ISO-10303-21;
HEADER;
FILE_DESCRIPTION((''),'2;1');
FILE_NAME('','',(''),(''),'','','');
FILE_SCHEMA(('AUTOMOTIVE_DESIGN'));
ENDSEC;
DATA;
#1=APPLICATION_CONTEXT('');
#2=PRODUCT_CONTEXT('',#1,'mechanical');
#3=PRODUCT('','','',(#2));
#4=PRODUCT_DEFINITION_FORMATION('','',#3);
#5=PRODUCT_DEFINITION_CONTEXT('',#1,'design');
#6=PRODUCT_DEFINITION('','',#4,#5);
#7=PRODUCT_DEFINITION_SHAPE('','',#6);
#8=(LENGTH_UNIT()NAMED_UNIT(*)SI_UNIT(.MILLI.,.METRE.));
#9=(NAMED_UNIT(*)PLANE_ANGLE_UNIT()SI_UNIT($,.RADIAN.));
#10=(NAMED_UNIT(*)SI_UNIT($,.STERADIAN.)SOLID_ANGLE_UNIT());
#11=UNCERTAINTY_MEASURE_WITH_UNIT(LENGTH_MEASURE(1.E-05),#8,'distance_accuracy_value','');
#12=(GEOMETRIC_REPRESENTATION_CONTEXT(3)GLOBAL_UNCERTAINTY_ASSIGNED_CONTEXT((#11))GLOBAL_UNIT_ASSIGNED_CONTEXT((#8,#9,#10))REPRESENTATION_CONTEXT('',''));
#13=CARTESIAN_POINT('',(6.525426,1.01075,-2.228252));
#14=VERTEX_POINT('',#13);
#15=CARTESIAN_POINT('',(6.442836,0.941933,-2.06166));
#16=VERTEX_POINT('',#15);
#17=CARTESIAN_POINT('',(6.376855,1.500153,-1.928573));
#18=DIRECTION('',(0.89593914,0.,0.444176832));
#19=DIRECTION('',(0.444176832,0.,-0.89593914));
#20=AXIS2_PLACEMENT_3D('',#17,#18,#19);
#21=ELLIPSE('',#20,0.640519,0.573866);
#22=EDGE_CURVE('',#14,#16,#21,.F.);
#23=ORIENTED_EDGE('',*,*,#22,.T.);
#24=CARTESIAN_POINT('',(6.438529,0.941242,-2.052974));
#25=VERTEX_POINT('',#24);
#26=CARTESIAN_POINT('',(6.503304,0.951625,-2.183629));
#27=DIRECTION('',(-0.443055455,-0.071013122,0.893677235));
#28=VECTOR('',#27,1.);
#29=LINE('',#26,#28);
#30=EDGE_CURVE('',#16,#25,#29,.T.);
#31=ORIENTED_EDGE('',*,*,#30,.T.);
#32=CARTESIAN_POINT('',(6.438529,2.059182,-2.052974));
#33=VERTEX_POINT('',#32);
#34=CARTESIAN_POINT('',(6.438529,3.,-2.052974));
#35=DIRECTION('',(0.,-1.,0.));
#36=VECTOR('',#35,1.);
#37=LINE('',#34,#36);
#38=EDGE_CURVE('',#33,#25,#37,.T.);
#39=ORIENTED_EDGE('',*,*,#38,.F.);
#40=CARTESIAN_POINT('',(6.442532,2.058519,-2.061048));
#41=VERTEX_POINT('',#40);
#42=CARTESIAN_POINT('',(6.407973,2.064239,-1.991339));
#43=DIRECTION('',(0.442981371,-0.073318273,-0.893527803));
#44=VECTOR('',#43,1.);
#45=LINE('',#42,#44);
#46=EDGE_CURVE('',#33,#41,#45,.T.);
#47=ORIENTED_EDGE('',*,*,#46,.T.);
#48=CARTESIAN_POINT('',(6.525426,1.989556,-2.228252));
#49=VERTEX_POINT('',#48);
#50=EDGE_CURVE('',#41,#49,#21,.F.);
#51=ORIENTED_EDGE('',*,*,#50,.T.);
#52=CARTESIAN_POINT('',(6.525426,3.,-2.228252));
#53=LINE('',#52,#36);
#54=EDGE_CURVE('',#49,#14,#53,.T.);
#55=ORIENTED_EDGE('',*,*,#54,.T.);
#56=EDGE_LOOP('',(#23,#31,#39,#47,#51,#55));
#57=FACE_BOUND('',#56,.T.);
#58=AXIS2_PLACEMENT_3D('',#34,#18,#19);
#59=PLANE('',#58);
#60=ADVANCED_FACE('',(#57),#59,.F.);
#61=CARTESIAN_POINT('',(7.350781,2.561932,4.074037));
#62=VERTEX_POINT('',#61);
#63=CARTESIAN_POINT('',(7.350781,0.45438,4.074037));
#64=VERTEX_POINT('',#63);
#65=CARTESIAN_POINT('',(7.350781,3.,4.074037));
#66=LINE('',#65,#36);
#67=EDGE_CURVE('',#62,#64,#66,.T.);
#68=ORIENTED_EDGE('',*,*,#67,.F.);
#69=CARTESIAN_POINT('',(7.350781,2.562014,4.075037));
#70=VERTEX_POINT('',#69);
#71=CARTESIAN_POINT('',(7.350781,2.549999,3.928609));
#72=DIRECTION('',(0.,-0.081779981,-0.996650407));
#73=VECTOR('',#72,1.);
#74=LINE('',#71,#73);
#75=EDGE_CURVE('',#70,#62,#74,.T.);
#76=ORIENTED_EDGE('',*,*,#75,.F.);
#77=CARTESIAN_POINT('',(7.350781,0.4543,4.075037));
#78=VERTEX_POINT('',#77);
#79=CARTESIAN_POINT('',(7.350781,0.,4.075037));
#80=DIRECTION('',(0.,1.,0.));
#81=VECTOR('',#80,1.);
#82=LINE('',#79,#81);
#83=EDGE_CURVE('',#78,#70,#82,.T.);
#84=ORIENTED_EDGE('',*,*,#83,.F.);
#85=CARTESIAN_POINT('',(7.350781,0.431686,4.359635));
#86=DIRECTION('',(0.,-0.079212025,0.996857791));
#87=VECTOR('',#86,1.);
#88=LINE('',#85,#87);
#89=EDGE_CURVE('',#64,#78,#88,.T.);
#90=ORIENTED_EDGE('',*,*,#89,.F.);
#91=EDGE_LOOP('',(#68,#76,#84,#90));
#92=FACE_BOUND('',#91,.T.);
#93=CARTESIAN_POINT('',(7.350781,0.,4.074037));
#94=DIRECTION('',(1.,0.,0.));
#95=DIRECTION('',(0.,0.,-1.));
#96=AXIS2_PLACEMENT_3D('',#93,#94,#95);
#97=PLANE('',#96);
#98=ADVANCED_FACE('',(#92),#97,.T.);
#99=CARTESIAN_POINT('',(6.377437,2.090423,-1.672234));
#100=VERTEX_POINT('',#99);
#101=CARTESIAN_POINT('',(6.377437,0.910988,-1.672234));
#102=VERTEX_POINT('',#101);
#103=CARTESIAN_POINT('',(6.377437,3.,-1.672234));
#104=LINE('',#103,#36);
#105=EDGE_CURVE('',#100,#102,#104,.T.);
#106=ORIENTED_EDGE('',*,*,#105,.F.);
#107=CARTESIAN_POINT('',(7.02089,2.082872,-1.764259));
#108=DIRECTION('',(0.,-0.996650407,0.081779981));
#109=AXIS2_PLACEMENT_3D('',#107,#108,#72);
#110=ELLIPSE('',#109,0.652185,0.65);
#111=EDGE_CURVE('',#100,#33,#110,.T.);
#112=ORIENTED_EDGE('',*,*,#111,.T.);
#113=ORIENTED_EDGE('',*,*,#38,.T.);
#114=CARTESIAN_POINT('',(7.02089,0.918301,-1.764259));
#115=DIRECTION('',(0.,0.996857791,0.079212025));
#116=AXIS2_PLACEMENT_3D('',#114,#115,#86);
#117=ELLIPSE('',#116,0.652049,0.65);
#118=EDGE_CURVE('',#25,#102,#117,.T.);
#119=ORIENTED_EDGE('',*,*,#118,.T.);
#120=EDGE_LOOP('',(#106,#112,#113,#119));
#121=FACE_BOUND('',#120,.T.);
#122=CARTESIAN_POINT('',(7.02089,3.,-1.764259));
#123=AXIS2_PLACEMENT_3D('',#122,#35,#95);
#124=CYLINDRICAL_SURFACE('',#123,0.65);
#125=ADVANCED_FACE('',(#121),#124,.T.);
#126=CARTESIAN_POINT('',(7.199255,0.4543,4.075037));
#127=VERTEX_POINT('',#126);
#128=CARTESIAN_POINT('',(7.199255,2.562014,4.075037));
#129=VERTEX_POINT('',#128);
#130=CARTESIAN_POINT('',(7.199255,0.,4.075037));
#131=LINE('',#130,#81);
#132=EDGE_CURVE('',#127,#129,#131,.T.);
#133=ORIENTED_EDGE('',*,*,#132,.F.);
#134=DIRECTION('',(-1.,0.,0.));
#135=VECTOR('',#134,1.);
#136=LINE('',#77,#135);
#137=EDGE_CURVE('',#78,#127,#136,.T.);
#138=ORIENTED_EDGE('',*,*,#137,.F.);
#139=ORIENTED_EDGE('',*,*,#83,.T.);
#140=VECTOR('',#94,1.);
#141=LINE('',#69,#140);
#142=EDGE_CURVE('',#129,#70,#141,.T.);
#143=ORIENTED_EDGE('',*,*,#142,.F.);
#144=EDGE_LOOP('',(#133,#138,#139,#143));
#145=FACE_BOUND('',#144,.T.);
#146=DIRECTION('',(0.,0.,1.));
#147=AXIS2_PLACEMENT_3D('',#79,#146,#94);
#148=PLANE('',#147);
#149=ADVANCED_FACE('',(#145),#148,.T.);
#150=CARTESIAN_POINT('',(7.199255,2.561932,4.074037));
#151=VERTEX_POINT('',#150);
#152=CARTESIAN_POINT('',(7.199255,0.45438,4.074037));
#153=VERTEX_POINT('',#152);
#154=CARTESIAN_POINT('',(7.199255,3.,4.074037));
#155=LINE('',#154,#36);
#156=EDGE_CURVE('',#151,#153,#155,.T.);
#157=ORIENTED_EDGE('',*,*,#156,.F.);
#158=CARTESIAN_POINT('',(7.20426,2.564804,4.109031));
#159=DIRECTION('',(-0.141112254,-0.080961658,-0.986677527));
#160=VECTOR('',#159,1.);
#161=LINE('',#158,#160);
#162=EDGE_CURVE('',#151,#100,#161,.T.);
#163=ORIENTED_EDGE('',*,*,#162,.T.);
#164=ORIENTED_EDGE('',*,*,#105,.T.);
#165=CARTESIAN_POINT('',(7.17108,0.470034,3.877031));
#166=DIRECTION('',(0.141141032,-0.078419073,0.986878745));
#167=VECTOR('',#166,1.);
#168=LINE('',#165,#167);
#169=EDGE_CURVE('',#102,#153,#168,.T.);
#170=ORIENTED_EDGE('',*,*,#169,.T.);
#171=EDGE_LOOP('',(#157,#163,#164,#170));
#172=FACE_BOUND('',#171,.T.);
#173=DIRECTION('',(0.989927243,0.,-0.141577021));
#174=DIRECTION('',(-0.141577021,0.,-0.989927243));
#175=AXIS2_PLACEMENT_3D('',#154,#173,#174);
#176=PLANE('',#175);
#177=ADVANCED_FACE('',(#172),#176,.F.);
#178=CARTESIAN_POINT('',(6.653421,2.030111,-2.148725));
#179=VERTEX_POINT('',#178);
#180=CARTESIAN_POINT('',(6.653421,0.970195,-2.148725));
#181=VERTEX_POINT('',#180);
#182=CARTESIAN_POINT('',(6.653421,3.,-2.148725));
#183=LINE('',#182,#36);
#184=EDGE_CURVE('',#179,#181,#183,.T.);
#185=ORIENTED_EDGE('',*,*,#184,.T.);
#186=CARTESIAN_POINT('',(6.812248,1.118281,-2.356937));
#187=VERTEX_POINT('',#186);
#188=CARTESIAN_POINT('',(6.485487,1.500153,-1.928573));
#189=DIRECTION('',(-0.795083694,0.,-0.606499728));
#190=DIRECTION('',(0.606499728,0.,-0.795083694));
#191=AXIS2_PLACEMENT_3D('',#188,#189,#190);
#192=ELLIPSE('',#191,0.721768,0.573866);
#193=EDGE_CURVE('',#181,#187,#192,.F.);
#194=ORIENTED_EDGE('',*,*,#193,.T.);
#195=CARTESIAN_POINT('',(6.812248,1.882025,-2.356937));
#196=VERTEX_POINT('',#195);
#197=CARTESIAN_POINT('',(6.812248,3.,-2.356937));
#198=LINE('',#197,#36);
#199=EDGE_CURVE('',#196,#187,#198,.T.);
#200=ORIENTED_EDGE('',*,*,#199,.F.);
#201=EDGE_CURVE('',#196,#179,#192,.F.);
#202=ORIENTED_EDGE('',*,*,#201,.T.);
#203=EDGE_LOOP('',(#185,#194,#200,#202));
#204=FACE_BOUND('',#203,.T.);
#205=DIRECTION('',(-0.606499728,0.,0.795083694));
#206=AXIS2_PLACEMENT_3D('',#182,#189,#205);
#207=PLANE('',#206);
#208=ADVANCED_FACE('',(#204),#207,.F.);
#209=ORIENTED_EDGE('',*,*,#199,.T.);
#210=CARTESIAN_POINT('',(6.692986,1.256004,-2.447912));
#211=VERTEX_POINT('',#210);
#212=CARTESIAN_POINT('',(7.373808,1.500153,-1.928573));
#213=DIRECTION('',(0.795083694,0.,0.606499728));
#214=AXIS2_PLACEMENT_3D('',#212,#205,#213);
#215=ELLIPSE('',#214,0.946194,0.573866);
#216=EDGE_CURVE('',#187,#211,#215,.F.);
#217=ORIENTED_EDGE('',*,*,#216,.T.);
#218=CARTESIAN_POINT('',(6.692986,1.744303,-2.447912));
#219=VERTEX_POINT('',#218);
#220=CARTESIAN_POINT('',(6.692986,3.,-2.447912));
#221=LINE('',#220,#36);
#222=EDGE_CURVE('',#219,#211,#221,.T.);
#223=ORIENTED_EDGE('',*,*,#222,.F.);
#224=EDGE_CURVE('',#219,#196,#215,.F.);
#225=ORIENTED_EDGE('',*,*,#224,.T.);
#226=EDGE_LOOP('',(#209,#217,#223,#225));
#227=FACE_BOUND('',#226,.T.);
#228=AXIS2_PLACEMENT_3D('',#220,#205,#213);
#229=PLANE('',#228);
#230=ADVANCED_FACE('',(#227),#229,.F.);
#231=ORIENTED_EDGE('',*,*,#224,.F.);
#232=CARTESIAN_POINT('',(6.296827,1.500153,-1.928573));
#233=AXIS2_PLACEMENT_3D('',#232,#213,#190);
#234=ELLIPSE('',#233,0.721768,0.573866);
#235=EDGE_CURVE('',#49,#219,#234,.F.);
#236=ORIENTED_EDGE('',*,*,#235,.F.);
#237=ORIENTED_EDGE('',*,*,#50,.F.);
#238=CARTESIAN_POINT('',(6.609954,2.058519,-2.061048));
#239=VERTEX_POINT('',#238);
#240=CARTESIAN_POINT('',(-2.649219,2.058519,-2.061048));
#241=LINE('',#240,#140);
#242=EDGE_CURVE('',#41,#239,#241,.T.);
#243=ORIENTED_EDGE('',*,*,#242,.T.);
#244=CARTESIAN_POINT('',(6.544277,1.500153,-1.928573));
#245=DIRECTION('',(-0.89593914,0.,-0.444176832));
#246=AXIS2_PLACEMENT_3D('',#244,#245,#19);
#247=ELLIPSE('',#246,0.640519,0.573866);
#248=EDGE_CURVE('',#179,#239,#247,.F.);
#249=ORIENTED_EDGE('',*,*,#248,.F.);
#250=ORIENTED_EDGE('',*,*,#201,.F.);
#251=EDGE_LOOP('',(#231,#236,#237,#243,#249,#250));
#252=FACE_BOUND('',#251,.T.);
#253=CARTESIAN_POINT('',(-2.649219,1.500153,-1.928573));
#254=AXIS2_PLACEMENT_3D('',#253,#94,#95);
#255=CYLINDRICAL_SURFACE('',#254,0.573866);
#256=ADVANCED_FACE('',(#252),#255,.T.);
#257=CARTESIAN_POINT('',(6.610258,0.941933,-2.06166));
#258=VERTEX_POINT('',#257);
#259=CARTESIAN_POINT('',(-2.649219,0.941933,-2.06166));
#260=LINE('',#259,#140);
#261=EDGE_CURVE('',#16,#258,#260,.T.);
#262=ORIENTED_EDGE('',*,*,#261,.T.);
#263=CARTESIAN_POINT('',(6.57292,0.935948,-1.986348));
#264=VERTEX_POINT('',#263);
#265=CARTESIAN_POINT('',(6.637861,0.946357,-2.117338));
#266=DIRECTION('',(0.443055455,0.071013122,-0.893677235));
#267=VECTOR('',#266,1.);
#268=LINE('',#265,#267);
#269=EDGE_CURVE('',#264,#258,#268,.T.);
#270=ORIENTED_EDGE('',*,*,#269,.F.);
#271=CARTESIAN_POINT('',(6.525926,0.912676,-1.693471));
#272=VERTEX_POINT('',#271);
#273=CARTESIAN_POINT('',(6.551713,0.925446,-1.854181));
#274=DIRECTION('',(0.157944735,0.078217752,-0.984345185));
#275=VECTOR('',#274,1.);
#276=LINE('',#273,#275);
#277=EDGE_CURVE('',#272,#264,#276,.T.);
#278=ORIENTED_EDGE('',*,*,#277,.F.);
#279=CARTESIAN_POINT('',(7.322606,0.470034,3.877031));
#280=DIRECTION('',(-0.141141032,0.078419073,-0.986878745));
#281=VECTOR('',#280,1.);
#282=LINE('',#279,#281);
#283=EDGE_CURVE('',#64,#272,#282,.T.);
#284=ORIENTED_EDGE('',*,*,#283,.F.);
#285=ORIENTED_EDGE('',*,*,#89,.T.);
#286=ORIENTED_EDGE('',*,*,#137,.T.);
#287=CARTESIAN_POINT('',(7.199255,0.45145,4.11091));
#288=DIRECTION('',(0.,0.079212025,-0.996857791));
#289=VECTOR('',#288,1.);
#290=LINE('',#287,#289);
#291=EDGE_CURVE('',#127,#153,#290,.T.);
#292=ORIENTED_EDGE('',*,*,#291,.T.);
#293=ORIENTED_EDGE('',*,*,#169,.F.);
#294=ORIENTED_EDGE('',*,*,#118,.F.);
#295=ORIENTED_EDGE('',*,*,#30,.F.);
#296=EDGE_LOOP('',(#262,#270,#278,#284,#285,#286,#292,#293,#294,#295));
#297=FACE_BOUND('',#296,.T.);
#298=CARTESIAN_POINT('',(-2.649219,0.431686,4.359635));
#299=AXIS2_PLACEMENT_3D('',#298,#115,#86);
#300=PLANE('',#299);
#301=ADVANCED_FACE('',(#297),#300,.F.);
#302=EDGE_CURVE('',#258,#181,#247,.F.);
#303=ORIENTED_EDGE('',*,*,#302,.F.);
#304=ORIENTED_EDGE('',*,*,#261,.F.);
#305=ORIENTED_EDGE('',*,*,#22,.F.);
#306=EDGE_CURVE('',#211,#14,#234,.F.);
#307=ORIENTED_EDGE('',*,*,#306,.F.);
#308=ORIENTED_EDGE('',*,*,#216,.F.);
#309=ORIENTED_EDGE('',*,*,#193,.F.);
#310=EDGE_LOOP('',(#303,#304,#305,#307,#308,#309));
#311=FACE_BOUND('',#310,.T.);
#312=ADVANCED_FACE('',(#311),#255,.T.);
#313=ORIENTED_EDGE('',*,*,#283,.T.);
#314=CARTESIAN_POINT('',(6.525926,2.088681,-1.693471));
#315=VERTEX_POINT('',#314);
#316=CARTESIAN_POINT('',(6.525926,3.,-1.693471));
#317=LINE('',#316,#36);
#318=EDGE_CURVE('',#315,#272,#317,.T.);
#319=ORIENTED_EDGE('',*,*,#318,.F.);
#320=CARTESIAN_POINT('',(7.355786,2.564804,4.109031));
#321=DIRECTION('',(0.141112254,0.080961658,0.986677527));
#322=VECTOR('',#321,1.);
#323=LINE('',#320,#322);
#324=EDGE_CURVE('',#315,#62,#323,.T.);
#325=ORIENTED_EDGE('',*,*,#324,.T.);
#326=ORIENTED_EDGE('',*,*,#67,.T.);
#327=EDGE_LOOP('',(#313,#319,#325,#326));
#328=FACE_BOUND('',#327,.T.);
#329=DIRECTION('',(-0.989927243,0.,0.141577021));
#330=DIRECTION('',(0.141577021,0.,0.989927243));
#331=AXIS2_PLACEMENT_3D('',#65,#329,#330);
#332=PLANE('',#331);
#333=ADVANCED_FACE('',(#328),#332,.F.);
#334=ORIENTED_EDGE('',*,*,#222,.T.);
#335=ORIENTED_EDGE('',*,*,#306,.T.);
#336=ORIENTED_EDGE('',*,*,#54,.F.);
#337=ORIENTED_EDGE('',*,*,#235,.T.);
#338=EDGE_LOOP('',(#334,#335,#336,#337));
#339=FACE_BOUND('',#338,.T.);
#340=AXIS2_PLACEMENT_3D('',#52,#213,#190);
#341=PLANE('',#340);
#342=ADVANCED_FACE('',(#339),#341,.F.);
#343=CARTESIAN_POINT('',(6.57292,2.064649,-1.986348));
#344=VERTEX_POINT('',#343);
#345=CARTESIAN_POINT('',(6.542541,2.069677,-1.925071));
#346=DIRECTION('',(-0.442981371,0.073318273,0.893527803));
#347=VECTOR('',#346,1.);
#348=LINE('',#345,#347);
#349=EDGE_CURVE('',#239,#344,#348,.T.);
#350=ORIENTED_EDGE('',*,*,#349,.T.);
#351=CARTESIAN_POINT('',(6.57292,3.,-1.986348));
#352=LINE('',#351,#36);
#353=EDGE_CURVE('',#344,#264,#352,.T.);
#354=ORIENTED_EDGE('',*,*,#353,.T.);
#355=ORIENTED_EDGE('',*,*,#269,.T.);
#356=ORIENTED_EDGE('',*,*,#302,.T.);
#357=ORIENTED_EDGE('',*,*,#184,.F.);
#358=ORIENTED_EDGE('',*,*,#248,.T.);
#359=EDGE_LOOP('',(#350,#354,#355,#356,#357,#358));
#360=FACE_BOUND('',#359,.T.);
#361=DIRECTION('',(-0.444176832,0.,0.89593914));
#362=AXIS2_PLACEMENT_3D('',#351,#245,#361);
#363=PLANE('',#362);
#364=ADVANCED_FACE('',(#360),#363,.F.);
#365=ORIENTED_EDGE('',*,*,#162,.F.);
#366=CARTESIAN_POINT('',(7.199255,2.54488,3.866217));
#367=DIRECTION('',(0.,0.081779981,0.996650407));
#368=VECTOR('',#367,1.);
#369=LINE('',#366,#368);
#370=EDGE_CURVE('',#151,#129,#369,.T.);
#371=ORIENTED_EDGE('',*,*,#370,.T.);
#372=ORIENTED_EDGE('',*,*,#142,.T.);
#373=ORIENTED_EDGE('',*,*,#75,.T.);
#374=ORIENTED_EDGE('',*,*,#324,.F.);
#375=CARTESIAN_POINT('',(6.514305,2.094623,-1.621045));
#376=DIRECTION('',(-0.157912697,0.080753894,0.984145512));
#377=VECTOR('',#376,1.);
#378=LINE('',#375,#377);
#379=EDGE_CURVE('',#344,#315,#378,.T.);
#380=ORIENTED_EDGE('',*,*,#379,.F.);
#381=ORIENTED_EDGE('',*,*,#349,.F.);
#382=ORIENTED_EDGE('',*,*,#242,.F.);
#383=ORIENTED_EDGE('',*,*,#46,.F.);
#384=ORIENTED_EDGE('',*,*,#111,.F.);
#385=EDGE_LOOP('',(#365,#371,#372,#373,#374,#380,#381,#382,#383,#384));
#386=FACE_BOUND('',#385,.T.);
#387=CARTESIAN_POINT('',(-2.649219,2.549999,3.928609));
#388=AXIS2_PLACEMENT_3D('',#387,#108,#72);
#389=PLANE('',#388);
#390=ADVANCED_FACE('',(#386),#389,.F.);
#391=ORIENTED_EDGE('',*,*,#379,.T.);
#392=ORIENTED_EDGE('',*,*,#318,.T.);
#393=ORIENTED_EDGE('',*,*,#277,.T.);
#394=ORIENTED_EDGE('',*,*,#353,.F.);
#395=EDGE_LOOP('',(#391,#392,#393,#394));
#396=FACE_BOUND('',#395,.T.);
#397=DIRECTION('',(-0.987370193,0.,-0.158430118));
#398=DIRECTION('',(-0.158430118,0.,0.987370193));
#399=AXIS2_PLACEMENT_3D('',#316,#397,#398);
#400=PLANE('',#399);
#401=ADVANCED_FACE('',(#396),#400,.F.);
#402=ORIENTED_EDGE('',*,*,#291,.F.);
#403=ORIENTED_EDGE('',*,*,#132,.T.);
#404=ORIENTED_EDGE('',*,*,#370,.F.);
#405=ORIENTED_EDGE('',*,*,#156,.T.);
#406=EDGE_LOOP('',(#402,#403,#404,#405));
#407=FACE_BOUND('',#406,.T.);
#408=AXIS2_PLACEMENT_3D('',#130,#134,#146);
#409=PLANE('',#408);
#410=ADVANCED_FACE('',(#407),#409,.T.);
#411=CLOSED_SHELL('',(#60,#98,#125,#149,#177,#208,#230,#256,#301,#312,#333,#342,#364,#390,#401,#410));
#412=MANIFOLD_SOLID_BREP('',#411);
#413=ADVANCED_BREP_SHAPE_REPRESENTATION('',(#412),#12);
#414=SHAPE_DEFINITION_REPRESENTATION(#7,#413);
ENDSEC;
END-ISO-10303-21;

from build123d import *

# Parameters (mm, degrees)
BOSS_EXTRUDE1_DEPTH = 3
SKETCH5_W           = 0.151526287
SKETCH5_H           = 0.001
BOSS_EXTRUDE2_DEPTH = 3
CUT_EXTRUDE1_DEPTH  = 10


with BuildPart() as part:
    # Sketch2 → Boss-Extrude1 (new body)
    with BuildSketch(Plane(origin=(0, 0, 0), x_dir=(1, 0, 0), z_dir=(0, 1, 0))):
        with BuildLine():
            Line((7.350781328, -4.074037176), (6.525926163, 1.693470822))
            Line((6.525926163, 1.693470822), (6.572920215, 1.986347748))
            Line((6.572920215, 1.986347748), (6.653421311, 2.148724708))
            Line((6.653421311, 2.148724708), (6.812248323, 2.356937113))
            Line((6.812248323, 2.356937113), (6.692985769, 2.447912072))
            Line((6.692985769, 2.447912072), (6.525425984, 2.228251541))
            Line((6.525425984, 2.228251541), (6.438529344, 2.052974273))
            ThreePointArc((6.438529344, 2.052974273), (6.379099159, 1.867238909), (6.377437076, 1.672234269))
            Line((6.377437076, 1.672234269), (7.199255041, -4.074037176))
            Line((7.199255041, -4.074037176), (7.200781328, -4.074037176))
            Line((7.200781328, -4.074037176), (7.350781328, -4.074037176))
        make_face()
    extrude(amount=BOSS_EXTRUDE1_DEPTH)

    # Sketch5 → Boss-Extrude2 (add)
    with BuildSketch(Plane(origin=(0, 3, 0), x_dir=(1, 0, 0), z_dir=(0, 1, 0))):
        with Locations((7.275018185, -4.074537176)):
            Rectangle(SKETCH5_W, SKETCH5_H)
    extrude(amount=-BOSS_EXTRUDE2_DEPTH)

    # Sketch6 → Cut-Extrude1 (cut)
    with BuildSketch(Plane(origin=(7.350781328, 0, 0), x_dir=(0, 0, -1), z_dir=(1, 0, 0))):
        with BuildLine():
            Line((-4.338213524, 2.884617609), (-4.338213524, 3.4381611))
            Line((-4.338213524, 3.4381611), (3.164112777, 3.4381611))
            Line((3.164112777, 3.4381611), (3.164112777, -0.438544946))
            Line((3.164112777, -0.438544946), (-4.348844922, -0.438544946))
            Line((-4.348844922, -0.438544946), (-4.337569204, 0.13248559))
            ThreePointArc((-4.337569204, 0.13248559), (-4.436691825, 0.166168098), (-4.478844922, 0.26199566))
            Line((-4.478844922, 0.26199566), (-4.478844922, 0.302134153))
            ThreePointArc((-4.478844922, 0.302134153), (-4.44607086, 0.391599096), (-4.359634831, 0.431685602))
            Line((-4.359634831, 0.431685602), (2.061660338, 0.9419327))
            ThreePointArc((2.061660338, 0.9419327), (2.502438753, 1.500467574), (2.061048418, 2.058518994))
            Line((2.061048418, 2.058518994), (-3.928609238, 2.549999344))
            Line((-3.928609238, 2.549999344), (-4.178844922, 2.570532391))
            Line((-4.178844922, 2.570532391), (-4.35947632, 2.585354069))
            ThreePointArc((-4.35947632, 2.585354069), (-4.444453713, 2.626833668), (-4.478844922, 2.714918622))
            Line((-4.478844922, 2.714918622), (-4.478844922, 2.755053056))
            ThreePointArc((-4.478844922, 2.755053056), (-4.436929876, 2.850661847), (-4.338213524, 2.884617609))
        make_face()
    extrude(amount=-CUT_EXTRUDE1_DEPTH, mode=Mode.SUBTRACT)


solid = part.part
